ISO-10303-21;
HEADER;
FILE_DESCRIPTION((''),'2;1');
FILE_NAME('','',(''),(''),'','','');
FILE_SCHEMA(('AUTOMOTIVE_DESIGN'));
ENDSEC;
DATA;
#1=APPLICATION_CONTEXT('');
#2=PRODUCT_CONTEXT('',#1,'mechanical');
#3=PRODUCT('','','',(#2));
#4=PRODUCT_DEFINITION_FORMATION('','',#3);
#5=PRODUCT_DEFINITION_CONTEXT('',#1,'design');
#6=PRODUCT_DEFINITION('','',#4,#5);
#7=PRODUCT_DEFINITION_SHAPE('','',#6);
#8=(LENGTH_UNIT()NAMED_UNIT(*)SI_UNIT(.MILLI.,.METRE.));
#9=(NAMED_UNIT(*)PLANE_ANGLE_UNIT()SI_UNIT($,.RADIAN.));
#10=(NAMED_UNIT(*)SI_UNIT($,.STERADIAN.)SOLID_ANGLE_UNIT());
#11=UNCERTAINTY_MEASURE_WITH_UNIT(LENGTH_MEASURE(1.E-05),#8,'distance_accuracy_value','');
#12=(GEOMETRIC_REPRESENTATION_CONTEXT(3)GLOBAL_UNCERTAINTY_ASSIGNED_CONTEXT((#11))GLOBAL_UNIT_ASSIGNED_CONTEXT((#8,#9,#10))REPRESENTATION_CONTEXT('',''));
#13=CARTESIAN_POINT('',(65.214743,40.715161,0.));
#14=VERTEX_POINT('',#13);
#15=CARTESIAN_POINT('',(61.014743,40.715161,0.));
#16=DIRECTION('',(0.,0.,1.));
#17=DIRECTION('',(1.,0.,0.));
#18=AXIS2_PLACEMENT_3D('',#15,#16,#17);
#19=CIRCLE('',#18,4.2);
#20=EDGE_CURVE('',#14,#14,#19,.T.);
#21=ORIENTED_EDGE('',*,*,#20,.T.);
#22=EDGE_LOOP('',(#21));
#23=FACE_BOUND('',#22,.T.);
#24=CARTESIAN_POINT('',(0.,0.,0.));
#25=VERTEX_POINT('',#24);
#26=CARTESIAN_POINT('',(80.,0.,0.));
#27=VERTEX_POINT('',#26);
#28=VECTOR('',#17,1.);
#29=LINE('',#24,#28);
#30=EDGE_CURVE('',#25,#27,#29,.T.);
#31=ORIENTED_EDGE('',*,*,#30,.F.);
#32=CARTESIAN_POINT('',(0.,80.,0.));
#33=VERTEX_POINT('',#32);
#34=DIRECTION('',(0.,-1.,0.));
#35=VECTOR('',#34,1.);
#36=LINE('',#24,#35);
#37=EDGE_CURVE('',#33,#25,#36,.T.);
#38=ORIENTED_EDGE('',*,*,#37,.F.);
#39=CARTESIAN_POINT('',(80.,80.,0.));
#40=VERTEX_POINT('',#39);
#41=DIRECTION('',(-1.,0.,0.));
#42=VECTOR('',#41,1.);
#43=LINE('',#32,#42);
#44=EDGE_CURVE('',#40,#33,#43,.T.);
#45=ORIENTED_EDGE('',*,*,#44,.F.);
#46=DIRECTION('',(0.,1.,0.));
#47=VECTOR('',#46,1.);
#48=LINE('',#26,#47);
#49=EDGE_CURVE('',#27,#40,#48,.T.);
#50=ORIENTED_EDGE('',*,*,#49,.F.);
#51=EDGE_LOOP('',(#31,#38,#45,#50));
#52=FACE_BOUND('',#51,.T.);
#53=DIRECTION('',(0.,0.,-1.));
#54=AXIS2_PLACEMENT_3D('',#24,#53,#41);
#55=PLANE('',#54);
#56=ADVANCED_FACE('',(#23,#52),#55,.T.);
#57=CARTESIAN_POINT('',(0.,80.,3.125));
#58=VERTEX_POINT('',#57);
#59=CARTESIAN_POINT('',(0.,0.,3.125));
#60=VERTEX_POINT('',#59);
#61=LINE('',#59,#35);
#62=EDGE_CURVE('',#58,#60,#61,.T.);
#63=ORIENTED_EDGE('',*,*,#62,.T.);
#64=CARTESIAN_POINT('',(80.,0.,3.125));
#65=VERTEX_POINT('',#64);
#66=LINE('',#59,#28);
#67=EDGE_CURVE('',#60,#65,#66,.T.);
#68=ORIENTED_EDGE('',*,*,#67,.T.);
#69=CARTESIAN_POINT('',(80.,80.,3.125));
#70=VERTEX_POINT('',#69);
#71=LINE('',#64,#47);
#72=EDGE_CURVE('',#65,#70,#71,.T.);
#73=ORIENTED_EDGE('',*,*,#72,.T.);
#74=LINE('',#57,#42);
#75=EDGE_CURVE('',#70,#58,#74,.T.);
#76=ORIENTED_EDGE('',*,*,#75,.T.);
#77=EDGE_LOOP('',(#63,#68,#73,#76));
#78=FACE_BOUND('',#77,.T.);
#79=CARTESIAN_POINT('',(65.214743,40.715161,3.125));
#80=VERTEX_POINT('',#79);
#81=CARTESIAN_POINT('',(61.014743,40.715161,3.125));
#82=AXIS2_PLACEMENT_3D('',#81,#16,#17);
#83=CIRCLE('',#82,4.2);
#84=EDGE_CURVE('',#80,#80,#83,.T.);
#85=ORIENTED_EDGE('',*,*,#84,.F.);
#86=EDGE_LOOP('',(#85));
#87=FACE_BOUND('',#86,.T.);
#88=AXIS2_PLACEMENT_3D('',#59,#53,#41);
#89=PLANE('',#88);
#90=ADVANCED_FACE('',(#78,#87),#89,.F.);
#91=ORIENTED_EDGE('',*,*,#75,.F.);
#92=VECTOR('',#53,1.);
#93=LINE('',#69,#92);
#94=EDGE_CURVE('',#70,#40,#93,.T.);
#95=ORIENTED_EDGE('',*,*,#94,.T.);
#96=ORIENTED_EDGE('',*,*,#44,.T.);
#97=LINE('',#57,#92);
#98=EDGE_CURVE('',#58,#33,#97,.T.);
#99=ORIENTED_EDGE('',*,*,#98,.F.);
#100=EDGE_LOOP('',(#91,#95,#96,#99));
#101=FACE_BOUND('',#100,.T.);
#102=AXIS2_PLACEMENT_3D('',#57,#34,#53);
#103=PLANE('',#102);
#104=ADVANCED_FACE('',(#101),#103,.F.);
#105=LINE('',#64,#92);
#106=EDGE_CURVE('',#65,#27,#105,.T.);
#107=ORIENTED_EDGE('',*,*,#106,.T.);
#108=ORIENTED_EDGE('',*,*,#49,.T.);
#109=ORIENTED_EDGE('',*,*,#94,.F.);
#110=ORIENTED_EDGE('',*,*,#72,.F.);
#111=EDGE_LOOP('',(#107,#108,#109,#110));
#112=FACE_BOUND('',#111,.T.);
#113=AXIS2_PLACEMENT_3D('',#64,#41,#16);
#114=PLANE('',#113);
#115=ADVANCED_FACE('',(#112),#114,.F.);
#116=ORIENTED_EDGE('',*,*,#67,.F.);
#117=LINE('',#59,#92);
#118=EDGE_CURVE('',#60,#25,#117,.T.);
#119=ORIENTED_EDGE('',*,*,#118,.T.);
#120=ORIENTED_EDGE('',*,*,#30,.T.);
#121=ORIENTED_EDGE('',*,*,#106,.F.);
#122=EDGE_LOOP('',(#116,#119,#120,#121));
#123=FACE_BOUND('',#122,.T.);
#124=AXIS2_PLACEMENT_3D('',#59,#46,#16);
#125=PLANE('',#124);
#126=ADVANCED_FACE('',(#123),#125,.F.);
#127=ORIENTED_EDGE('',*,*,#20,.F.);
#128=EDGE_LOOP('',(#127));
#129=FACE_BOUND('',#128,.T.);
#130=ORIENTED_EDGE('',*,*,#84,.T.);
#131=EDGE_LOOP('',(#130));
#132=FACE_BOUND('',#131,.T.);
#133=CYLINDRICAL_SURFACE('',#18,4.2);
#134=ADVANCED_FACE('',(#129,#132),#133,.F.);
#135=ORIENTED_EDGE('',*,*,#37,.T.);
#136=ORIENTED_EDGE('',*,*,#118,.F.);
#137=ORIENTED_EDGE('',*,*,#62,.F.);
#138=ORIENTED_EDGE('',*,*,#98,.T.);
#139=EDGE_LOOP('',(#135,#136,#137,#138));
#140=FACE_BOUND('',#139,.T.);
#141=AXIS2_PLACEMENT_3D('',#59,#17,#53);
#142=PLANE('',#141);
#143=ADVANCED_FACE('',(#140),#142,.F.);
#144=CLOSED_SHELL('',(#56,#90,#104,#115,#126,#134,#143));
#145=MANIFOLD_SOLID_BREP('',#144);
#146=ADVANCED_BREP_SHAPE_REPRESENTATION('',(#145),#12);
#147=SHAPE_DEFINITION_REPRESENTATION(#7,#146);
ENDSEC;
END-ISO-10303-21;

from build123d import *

# Parameters (mm, degrees)
SKETCH1_W           = 80
SKETCH1_H           = 80
BOSS_EXTRUDE1_DEPTH = 3.125
SKETCH2_R           = 4.2
CUT_EXTRUDE1_DEPTH  = 4.125


with BuildPart() as part:
    # Sketch1 → Boss-Extrude1 (new body)
    with BuildSketch(Plane.XY):
        with Locations((40, 40)):
            Rectangle(SKETCH1_W, SKETCH1_H)
    extrude(amount=BOSS_EXTRUDE1_DEPTH)

    # Sketch2 → Cut-Extrude1 (cut, through all)
    with BuildSketch(Plane.XY.offset(3.125)):
        with Locations((61.014742683, 40.7151614)):
            Circle(SKETCH2_R)
    extrude(amount=-CUT_EXTRUDE1_DEPTH, mode=Mode.SUBTRACT)


solid = part.part
